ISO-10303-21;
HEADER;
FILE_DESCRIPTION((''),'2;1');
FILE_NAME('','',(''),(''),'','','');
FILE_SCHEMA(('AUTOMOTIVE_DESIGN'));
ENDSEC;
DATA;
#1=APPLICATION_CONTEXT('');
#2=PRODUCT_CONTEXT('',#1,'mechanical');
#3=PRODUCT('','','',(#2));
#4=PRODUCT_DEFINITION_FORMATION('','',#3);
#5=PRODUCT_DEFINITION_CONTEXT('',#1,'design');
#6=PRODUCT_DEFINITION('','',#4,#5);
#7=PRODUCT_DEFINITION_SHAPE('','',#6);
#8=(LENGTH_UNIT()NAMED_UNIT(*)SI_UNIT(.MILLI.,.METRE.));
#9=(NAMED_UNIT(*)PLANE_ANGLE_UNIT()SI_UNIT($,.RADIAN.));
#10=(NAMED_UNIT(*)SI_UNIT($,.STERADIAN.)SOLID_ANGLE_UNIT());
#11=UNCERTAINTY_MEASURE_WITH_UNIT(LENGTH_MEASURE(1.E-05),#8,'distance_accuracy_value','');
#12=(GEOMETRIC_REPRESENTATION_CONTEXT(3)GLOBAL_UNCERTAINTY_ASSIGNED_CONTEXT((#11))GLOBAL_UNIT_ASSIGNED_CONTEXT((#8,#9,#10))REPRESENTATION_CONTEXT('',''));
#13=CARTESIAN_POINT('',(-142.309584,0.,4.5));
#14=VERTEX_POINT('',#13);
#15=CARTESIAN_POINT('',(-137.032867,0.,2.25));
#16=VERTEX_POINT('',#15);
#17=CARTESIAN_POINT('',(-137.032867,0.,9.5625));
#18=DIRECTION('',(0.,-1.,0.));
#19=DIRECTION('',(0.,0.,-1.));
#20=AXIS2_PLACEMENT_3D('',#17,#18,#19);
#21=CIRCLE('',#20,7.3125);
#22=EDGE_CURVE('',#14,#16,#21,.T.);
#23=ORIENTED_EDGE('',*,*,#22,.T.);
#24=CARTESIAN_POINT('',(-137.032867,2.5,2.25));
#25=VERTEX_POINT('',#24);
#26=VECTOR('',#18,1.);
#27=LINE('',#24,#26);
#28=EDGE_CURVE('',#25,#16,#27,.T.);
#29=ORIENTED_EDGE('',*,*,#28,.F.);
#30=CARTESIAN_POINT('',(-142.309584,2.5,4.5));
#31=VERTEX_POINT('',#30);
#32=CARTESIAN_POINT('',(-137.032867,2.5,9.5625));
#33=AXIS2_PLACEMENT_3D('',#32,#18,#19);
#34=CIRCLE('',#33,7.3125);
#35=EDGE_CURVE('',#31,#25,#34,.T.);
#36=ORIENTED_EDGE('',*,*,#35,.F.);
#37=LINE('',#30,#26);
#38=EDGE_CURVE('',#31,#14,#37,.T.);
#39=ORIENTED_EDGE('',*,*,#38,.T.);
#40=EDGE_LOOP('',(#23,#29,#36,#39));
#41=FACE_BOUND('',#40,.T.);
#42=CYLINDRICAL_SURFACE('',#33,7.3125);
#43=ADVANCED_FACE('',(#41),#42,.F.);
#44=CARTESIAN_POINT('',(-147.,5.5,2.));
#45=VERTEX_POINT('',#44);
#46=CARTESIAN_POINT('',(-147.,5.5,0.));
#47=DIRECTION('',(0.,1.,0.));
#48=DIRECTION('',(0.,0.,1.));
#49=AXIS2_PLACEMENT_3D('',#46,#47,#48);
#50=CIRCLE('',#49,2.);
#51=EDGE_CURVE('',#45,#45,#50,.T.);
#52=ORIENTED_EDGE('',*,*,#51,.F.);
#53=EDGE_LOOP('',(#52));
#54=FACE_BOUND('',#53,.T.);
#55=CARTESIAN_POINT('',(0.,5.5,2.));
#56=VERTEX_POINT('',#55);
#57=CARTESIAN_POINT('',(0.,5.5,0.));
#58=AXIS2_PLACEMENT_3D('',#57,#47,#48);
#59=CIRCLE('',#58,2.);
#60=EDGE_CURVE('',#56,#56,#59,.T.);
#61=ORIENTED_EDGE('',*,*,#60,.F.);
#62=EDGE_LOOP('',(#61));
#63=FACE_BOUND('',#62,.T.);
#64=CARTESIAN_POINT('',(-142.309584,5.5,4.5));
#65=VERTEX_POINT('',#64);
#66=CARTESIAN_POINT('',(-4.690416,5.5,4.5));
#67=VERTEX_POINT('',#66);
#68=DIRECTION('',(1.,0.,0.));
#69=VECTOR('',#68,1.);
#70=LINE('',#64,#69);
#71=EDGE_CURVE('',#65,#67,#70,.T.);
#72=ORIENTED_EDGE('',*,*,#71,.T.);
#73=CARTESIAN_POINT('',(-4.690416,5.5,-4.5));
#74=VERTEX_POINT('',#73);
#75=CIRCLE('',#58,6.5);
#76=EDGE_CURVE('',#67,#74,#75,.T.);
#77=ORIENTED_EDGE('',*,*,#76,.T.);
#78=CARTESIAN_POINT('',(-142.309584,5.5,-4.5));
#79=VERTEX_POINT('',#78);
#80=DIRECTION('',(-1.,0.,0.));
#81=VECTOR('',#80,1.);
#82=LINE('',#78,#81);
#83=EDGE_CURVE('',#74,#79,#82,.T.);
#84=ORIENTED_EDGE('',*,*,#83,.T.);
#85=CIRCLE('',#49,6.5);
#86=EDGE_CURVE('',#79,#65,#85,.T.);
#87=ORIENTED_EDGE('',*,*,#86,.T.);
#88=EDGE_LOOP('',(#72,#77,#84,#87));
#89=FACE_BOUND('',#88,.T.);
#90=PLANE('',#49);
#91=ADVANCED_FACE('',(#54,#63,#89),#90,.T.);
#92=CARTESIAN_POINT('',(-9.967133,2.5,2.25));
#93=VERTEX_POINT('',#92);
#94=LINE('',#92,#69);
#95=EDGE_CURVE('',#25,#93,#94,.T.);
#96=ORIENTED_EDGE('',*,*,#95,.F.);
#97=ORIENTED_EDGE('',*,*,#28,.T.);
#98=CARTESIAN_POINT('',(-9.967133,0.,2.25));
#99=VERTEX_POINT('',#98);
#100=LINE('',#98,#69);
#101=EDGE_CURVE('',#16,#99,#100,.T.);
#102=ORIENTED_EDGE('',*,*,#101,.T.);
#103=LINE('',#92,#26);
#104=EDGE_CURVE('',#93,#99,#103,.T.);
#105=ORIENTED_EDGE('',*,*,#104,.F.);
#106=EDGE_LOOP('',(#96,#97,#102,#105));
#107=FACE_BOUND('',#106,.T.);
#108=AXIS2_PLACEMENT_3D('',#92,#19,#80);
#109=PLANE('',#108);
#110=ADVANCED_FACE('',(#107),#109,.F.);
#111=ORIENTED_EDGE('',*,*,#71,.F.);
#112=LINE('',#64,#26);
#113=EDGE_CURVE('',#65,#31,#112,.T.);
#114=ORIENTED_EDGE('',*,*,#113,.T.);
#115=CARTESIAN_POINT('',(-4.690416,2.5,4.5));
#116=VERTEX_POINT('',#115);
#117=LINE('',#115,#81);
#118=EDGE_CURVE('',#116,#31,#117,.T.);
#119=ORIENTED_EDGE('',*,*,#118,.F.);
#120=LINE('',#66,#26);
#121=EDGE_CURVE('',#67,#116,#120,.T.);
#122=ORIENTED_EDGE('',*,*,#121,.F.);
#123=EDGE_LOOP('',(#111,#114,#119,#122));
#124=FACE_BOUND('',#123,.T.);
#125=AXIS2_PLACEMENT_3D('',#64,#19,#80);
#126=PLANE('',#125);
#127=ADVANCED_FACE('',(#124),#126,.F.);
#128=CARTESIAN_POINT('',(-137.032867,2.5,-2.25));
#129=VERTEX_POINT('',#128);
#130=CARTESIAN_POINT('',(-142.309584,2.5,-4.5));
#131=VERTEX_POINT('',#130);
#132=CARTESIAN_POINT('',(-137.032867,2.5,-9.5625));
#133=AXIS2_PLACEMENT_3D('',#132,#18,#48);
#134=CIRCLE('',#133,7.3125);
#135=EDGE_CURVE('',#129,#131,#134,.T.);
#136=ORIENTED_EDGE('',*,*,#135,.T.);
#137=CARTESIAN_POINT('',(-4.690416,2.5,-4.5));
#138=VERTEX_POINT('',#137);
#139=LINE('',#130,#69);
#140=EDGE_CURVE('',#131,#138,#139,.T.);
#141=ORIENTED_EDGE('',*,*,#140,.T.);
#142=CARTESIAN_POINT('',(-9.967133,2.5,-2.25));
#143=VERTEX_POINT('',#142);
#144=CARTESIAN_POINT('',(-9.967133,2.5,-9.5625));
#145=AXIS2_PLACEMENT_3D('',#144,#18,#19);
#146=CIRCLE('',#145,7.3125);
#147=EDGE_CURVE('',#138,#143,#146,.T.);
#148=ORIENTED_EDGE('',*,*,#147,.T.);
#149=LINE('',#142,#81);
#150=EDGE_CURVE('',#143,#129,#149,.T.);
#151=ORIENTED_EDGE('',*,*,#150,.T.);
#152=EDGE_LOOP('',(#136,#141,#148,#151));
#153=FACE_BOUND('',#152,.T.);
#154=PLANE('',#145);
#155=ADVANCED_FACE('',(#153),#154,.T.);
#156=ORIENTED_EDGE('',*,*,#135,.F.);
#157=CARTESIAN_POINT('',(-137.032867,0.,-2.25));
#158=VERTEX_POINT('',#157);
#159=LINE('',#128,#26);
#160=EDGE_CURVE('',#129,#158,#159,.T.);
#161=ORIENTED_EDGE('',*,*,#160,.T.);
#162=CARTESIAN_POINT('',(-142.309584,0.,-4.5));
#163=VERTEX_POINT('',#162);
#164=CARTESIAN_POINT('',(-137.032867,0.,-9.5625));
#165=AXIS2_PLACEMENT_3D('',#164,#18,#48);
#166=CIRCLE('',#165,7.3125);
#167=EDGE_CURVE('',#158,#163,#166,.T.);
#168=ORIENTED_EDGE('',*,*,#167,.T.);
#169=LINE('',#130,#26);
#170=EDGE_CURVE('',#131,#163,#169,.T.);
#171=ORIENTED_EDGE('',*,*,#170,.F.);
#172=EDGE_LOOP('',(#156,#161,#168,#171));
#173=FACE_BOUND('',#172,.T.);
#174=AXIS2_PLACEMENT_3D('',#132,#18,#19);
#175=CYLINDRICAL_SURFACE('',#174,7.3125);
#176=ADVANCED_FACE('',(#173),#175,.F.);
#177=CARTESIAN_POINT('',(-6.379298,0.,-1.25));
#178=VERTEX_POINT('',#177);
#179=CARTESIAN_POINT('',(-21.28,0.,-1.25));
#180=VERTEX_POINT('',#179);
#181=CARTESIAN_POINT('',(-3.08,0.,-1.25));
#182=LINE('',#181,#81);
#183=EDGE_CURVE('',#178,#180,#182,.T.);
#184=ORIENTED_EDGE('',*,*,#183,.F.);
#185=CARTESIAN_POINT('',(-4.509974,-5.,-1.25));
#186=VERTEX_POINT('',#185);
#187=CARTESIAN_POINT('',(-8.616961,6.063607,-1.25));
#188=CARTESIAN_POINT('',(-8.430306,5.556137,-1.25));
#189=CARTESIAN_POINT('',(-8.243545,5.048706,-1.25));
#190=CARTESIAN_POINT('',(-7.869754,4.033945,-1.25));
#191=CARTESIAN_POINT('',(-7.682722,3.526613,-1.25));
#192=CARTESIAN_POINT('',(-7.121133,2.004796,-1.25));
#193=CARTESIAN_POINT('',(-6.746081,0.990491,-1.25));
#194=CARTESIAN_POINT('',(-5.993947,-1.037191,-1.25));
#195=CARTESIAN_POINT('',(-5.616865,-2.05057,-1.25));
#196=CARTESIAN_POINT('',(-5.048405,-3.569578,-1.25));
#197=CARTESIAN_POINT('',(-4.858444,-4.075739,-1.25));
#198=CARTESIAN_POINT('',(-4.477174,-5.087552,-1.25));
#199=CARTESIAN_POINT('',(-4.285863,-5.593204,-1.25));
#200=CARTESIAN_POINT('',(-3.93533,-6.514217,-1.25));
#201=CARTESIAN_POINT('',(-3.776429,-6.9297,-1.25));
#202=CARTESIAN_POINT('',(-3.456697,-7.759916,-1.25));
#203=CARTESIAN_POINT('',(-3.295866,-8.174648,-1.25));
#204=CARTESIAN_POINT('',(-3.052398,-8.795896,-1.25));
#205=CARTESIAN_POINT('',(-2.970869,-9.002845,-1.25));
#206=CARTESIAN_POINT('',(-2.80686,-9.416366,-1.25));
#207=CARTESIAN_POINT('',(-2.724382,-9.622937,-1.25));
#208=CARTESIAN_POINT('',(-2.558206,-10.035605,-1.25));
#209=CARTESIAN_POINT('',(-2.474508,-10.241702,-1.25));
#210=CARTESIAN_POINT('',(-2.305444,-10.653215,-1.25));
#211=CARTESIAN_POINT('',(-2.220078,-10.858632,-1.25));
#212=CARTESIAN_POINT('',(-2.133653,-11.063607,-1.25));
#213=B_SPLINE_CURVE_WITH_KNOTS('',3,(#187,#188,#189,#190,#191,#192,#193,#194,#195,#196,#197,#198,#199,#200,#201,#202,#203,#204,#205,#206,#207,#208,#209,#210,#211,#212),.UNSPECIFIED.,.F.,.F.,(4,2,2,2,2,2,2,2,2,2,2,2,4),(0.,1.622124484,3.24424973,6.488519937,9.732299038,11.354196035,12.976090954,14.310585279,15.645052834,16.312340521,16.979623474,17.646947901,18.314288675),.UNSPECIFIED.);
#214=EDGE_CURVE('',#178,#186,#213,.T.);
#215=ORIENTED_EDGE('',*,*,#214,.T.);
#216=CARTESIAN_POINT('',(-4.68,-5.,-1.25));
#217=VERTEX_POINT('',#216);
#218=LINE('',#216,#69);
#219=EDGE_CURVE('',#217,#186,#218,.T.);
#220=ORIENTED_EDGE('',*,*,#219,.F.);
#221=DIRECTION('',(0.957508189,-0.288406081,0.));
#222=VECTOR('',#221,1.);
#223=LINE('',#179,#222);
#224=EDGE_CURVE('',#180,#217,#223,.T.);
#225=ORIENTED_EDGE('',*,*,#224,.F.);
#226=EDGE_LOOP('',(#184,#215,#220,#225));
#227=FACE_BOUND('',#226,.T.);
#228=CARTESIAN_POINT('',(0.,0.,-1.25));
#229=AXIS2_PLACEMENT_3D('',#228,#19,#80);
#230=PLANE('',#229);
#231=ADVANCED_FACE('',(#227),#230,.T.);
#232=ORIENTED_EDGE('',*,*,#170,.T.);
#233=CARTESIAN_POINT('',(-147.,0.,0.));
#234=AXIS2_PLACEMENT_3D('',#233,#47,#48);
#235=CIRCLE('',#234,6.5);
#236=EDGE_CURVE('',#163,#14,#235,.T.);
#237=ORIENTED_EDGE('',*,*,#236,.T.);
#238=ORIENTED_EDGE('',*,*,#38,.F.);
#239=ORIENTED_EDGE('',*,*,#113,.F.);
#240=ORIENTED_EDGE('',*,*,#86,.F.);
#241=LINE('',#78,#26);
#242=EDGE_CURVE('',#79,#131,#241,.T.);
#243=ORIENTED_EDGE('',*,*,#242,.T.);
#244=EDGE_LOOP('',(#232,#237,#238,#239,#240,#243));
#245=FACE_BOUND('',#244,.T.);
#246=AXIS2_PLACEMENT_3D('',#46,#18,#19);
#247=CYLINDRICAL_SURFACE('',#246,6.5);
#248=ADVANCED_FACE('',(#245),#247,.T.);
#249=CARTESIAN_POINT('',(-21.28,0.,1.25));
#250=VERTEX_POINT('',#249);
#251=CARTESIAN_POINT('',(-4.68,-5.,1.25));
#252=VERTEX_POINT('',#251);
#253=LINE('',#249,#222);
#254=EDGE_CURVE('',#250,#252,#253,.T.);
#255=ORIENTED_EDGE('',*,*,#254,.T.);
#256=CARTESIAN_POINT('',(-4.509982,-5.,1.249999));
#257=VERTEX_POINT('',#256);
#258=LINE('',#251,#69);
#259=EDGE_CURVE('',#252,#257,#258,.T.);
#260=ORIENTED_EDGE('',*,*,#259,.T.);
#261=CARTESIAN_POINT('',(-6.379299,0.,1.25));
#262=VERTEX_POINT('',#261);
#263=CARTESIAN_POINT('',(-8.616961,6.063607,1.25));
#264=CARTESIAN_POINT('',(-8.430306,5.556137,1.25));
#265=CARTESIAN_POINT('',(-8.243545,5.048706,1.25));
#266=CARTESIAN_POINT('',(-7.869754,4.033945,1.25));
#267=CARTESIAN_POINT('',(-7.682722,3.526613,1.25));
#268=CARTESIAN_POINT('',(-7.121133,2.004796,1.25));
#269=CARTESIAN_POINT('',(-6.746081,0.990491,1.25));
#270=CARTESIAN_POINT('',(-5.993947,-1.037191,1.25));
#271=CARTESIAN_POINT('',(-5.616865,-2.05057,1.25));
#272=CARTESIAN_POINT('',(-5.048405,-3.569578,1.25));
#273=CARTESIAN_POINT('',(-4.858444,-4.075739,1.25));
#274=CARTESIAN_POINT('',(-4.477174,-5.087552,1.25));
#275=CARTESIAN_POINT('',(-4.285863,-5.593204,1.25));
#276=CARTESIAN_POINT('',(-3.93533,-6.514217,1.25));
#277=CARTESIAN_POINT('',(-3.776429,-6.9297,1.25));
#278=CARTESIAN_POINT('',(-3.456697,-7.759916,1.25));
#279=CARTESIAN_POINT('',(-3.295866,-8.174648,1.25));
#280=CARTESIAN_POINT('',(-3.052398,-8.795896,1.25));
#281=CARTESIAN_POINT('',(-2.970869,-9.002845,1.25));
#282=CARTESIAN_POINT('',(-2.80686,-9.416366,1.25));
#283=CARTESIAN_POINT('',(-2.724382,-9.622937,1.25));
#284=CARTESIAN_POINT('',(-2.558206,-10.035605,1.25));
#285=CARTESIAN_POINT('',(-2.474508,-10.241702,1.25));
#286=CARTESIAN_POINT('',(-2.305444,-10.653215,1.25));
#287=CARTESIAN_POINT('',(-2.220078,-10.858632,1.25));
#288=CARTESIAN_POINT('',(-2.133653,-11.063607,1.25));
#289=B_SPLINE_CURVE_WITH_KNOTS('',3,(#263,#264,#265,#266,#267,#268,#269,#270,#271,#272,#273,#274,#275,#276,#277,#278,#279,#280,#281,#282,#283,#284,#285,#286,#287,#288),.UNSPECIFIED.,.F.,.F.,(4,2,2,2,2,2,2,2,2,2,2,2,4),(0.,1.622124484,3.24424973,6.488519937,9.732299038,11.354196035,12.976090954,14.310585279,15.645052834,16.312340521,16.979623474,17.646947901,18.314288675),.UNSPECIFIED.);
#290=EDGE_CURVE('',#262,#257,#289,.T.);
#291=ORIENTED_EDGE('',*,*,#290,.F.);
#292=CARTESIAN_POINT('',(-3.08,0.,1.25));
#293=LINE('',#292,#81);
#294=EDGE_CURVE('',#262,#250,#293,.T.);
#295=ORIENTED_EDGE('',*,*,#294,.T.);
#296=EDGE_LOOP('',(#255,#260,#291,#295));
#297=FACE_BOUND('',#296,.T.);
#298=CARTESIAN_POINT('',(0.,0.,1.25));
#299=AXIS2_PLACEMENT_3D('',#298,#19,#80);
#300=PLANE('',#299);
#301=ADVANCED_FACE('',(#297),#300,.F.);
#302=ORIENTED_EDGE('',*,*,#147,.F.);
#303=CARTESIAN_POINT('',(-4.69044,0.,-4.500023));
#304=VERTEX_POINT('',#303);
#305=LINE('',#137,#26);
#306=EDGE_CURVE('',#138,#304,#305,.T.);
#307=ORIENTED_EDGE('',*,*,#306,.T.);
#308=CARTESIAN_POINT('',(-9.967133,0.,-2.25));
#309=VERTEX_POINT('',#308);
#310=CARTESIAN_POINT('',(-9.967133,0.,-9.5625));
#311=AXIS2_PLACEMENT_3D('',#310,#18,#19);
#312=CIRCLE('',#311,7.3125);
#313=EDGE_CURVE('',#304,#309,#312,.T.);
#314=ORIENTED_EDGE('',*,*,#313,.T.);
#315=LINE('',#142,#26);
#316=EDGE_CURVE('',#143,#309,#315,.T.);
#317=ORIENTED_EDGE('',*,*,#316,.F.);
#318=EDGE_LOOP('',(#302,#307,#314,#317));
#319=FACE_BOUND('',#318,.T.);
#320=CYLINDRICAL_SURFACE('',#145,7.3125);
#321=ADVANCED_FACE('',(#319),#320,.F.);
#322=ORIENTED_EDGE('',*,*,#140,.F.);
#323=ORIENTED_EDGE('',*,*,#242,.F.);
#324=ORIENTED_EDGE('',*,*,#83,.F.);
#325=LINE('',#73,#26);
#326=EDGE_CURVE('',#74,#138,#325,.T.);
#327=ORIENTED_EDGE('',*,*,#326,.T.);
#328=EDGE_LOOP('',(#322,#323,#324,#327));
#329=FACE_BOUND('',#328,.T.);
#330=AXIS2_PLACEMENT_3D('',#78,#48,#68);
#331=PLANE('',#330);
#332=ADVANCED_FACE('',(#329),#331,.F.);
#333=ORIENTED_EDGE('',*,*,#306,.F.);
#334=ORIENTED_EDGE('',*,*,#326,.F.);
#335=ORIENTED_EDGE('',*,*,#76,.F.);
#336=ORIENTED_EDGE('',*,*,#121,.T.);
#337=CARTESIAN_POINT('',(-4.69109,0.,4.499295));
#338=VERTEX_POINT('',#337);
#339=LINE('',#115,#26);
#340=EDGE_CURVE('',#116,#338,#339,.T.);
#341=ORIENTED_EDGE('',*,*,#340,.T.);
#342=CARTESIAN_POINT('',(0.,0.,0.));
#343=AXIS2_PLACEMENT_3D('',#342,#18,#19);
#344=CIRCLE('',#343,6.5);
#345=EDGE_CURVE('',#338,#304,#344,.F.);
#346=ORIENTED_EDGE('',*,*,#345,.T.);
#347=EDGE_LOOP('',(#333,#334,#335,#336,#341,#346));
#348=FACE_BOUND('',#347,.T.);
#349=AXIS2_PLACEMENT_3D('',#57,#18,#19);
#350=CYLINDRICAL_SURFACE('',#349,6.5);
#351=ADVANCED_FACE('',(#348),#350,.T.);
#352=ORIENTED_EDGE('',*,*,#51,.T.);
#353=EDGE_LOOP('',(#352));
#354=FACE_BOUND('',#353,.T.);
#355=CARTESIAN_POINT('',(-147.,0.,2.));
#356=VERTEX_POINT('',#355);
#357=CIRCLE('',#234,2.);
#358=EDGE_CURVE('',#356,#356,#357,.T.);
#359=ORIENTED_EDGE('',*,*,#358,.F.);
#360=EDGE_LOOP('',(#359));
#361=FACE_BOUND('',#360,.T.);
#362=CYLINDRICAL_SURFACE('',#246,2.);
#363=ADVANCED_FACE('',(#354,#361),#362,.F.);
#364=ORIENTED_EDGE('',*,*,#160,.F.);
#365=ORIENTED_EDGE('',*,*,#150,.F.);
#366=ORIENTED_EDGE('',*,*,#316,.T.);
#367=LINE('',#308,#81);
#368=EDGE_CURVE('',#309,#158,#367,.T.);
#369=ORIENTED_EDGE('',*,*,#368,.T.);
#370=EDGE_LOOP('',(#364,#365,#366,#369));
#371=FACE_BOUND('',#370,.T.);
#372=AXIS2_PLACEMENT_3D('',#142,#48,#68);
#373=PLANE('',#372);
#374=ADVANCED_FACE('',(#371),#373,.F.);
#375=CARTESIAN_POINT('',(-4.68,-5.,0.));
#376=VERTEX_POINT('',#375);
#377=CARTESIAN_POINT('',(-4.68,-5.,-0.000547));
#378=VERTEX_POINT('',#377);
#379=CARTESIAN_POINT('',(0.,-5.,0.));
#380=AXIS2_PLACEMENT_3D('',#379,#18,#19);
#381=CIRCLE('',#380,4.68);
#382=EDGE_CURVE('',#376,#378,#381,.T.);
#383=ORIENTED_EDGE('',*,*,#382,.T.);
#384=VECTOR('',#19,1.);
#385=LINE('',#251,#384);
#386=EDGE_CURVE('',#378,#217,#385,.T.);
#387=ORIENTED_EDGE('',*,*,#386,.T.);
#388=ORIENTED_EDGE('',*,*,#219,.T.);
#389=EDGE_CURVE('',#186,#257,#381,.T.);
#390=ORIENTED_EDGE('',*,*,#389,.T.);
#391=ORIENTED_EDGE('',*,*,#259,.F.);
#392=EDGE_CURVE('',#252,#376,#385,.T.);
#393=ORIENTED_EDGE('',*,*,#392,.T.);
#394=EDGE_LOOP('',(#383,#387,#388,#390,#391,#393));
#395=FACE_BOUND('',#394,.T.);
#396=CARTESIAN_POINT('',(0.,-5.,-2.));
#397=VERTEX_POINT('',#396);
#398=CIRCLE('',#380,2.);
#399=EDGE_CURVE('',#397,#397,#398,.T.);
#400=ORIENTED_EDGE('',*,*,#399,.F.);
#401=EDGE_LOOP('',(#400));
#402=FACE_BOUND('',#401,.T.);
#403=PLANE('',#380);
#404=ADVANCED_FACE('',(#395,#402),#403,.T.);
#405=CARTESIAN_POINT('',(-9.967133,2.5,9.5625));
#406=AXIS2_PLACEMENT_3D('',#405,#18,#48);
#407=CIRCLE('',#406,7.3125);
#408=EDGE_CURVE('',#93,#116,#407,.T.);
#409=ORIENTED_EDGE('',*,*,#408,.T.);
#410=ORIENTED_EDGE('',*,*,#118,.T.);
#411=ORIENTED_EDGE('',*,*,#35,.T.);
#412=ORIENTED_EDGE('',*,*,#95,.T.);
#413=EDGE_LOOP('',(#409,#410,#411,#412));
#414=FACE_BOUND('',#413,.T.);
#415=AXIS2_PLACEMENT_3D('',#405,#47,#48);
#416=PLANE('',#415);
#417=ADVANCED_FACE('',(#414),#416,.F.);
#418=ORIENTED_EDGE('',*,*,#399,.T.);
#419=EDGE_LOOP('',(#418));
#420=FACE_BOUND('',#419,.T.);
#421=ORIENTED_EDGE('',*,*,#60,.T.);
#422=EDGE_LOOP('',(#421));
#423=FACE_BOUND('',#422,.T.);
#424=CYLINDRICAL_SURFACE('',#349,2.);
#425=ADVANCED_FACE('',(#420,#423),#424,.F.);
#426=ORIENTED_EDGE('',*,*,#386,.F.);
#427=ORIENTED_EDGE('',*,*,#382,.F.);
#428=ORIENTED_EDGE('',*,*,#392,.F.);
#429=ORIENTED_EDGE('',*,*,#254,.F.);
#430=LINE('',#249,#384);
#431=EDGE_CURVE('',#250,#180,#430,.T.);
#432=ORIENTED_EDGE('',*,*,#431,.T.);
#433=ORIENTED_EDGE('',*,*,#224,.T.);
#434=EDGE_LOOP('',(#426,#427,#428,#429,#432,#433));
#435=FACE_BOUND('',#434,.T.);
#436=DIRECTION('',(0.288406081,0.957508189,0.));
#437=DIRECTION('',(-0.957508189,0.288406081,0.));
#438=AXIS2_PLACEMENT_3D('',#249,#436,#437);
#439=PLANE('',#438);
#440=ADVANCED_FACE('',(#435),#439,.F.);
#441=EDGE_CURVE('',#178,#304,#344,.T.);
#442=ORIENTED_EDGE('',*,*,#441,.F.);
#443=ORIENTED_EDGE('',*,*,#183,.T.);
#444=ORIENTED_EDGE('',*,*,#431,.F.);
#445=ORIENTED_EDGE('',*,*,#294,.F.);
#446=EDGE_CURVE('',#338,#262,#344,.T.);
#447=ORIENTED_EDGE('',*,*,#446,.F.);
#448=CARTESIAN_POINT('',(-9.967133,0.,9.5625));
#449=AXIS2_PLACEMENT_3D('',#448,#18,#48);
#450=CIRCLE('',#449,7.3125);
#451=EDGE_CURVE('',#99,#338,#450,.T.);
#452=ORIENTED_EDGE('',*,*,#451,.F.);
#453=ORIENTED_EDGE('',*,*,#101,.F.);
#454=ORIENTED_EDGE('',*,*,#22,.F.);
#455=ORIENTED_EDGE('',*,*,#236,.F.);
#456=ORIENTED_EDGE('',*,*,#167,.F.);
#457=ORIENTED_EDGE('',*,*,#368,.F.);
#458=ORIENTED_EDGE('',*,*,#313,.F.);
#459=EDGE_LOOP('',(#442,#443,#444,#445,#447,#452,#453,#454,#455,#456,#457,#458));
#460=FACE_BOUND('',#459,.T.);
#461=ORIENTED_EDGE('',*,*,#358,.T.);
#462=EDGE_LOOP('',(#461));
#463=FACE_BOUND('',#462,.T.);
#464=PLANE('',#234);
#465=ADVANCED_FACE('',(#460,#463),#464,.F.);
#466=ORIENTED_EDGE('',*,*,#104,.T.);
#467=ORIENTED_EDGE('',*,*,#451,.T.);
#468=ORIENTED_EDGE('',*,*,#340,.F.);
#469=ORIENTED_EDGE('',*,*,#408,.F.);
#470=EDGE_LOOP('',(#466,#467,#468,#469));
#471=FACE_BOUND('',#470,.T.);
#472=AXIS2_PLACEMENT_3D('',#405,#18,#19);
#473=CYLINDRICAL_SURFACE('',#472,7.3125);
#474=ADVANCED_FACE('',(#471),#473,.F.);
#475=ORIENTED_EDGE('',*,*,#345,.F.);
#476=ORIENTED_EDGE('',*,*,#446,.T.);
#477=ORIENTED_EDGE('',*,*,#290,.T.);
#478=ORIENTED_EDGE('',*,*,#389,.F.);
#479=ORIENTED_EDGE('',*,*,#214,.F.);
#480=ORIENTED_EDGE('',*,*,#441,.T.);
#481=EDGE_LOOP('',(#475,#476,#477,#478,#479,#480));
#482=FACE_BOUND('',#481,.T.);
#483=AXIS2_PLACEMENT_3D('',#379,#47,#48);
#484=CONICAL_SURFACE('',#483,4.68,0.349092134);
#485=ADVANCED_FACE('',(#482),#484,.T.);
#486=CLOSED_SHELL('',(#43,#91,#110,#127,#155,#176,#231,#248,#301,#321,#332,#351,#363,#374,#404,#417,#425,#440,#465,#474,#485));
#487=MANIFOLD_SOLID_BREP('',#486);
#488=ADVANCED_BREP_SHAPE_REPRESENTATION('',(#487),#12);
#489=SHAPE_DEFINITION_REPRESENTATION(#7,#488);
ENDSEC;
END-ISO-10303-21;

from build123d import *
from build123d.topology import SkipClean

# Parameters (mm, degrees)
SKETCH1_R           = 2
BOSS_EXTRUDE1_DEPTH = 5.5
CUT_EXTRUDE1_DEPTH  = 2.5
SKETCH4_R           = 6.5
SKETCH3_R           = 4.68
SKETCH5_R           = 2
CUT_EXTRUDE2_DEPTH  = 154.995941509
BOSS_EXTRUDE2_DEPTH = 1.25


with BuildPart() as part:
    # Sketch1 → Boss-Extrude1 (new body)
    with BuildSketch(Plane(origin=(0, 0, 0), x_dir=(1, 0, 0), z_dir=(0, 1, 0))):
        with BuildLine():
            Line((-142.30958424, 4.5), (-4.69041576, 4.5))
            ThreePointArc((-4.69041576, 4.5), (6.5, 0), (-4.69041576, -4.5))
            Line((-4.69041576, -4.5), (-142.30958424, -4.5))
            ThreePointArc((-142.30958424, -4.5), (-153.5, 0), (-142.30958424, 4.5))
        make_face()
        with Locations(Location((0, 0, 0), (0, 0, 270))):
            Circle(SKETCH1_R, mode=Mode.SUBTRACT)
        with Locations(Location((-147, 0, 0), (0, 0, 270))):
            Circle(SKETCH1_R, mode=Mode.SUBTRACT)
    extrude(amount=BOSS_EXTRUDE1_DEPTH)

    # Sketch2 → Cut-Extrude1 (cut)
    with BuildSketch(Plane.XZ):
        with BuildLine():
            Line((-9.96713349, 2.25), (-137.03286651, 2.25))
            ThreePointArc((-137.03286651, 2.25), (-139.901064987, 2.835978332), (-142.30958424, 4.5))
            Line((-142.30958424, 4.5), (-4.69041576, 4.5))
            ThreePointArc((-4.69041576, 4.5), (-7.098935013, 2.835978332), (-9.96713349, 2.25))
        make_face()
        with BuildLine():
            Line((-9.96713349, -2.25), (-137.03286651, -2.25))
            ThreePointArc((-137.03286651, -2.25), (-139.901064987, -2.835978332), (-142.30958424, -4.5))
            Line((-142.30958424, -4.5), (-4.69041576, -4.5))
            ThreePointArc((-4.69041576, -4.5), (-7.098935013, -2.835978332), (-9.96713349, -2.25))
        make_face()
    extrude(amount=-CUT_EXTRUDE1_DEPTH, mode=Mode.SUBTRACT)

    # Sketch4 → Loft1 section 0
    with BuildSketch(Plane.XZ):
        Circle(SKETCH4_R)
    # Sketch3 → Loft1 section 1
    with BuildSketch(Plane(origin=(0, -5, 0), x_dir=(-1, 0, 0), z_dir=(0, -1, 0))):
        Circle(SKETCH3_R)
    loft()

    # Sketch5 → Cut-Extrude2 (cut, through all)
    with SkipClean():  # the faces are left unmerged after this step: merging them gives an invalid solid
        with BuildSketch(Plane.XZ.offset(5)):
            with Locations(Location((0, 0, 0), (0, 0, 270))):
                Circle(SKETCH5_R)
        extrude(amount=-CUT_EXTRUDE2_DEPTH, mode=Mode.SUBTRACT)

    # Sketch6 → Boss-Extrude2 (add, symmetric)
    with SkipClean():  # the faces are left unmerged after this step: merging them gives an invalid solid
        with BuildSketch(Plane.XY):
            Polygon((-3.080000032, 0), (-21.280000032, 0), (-4.680000032, -5), (-3.080000032, -5), align=None)
        extrude(amount=BOSS_EXTRUDE2_DEPTH, both=True)


solid = part.part
